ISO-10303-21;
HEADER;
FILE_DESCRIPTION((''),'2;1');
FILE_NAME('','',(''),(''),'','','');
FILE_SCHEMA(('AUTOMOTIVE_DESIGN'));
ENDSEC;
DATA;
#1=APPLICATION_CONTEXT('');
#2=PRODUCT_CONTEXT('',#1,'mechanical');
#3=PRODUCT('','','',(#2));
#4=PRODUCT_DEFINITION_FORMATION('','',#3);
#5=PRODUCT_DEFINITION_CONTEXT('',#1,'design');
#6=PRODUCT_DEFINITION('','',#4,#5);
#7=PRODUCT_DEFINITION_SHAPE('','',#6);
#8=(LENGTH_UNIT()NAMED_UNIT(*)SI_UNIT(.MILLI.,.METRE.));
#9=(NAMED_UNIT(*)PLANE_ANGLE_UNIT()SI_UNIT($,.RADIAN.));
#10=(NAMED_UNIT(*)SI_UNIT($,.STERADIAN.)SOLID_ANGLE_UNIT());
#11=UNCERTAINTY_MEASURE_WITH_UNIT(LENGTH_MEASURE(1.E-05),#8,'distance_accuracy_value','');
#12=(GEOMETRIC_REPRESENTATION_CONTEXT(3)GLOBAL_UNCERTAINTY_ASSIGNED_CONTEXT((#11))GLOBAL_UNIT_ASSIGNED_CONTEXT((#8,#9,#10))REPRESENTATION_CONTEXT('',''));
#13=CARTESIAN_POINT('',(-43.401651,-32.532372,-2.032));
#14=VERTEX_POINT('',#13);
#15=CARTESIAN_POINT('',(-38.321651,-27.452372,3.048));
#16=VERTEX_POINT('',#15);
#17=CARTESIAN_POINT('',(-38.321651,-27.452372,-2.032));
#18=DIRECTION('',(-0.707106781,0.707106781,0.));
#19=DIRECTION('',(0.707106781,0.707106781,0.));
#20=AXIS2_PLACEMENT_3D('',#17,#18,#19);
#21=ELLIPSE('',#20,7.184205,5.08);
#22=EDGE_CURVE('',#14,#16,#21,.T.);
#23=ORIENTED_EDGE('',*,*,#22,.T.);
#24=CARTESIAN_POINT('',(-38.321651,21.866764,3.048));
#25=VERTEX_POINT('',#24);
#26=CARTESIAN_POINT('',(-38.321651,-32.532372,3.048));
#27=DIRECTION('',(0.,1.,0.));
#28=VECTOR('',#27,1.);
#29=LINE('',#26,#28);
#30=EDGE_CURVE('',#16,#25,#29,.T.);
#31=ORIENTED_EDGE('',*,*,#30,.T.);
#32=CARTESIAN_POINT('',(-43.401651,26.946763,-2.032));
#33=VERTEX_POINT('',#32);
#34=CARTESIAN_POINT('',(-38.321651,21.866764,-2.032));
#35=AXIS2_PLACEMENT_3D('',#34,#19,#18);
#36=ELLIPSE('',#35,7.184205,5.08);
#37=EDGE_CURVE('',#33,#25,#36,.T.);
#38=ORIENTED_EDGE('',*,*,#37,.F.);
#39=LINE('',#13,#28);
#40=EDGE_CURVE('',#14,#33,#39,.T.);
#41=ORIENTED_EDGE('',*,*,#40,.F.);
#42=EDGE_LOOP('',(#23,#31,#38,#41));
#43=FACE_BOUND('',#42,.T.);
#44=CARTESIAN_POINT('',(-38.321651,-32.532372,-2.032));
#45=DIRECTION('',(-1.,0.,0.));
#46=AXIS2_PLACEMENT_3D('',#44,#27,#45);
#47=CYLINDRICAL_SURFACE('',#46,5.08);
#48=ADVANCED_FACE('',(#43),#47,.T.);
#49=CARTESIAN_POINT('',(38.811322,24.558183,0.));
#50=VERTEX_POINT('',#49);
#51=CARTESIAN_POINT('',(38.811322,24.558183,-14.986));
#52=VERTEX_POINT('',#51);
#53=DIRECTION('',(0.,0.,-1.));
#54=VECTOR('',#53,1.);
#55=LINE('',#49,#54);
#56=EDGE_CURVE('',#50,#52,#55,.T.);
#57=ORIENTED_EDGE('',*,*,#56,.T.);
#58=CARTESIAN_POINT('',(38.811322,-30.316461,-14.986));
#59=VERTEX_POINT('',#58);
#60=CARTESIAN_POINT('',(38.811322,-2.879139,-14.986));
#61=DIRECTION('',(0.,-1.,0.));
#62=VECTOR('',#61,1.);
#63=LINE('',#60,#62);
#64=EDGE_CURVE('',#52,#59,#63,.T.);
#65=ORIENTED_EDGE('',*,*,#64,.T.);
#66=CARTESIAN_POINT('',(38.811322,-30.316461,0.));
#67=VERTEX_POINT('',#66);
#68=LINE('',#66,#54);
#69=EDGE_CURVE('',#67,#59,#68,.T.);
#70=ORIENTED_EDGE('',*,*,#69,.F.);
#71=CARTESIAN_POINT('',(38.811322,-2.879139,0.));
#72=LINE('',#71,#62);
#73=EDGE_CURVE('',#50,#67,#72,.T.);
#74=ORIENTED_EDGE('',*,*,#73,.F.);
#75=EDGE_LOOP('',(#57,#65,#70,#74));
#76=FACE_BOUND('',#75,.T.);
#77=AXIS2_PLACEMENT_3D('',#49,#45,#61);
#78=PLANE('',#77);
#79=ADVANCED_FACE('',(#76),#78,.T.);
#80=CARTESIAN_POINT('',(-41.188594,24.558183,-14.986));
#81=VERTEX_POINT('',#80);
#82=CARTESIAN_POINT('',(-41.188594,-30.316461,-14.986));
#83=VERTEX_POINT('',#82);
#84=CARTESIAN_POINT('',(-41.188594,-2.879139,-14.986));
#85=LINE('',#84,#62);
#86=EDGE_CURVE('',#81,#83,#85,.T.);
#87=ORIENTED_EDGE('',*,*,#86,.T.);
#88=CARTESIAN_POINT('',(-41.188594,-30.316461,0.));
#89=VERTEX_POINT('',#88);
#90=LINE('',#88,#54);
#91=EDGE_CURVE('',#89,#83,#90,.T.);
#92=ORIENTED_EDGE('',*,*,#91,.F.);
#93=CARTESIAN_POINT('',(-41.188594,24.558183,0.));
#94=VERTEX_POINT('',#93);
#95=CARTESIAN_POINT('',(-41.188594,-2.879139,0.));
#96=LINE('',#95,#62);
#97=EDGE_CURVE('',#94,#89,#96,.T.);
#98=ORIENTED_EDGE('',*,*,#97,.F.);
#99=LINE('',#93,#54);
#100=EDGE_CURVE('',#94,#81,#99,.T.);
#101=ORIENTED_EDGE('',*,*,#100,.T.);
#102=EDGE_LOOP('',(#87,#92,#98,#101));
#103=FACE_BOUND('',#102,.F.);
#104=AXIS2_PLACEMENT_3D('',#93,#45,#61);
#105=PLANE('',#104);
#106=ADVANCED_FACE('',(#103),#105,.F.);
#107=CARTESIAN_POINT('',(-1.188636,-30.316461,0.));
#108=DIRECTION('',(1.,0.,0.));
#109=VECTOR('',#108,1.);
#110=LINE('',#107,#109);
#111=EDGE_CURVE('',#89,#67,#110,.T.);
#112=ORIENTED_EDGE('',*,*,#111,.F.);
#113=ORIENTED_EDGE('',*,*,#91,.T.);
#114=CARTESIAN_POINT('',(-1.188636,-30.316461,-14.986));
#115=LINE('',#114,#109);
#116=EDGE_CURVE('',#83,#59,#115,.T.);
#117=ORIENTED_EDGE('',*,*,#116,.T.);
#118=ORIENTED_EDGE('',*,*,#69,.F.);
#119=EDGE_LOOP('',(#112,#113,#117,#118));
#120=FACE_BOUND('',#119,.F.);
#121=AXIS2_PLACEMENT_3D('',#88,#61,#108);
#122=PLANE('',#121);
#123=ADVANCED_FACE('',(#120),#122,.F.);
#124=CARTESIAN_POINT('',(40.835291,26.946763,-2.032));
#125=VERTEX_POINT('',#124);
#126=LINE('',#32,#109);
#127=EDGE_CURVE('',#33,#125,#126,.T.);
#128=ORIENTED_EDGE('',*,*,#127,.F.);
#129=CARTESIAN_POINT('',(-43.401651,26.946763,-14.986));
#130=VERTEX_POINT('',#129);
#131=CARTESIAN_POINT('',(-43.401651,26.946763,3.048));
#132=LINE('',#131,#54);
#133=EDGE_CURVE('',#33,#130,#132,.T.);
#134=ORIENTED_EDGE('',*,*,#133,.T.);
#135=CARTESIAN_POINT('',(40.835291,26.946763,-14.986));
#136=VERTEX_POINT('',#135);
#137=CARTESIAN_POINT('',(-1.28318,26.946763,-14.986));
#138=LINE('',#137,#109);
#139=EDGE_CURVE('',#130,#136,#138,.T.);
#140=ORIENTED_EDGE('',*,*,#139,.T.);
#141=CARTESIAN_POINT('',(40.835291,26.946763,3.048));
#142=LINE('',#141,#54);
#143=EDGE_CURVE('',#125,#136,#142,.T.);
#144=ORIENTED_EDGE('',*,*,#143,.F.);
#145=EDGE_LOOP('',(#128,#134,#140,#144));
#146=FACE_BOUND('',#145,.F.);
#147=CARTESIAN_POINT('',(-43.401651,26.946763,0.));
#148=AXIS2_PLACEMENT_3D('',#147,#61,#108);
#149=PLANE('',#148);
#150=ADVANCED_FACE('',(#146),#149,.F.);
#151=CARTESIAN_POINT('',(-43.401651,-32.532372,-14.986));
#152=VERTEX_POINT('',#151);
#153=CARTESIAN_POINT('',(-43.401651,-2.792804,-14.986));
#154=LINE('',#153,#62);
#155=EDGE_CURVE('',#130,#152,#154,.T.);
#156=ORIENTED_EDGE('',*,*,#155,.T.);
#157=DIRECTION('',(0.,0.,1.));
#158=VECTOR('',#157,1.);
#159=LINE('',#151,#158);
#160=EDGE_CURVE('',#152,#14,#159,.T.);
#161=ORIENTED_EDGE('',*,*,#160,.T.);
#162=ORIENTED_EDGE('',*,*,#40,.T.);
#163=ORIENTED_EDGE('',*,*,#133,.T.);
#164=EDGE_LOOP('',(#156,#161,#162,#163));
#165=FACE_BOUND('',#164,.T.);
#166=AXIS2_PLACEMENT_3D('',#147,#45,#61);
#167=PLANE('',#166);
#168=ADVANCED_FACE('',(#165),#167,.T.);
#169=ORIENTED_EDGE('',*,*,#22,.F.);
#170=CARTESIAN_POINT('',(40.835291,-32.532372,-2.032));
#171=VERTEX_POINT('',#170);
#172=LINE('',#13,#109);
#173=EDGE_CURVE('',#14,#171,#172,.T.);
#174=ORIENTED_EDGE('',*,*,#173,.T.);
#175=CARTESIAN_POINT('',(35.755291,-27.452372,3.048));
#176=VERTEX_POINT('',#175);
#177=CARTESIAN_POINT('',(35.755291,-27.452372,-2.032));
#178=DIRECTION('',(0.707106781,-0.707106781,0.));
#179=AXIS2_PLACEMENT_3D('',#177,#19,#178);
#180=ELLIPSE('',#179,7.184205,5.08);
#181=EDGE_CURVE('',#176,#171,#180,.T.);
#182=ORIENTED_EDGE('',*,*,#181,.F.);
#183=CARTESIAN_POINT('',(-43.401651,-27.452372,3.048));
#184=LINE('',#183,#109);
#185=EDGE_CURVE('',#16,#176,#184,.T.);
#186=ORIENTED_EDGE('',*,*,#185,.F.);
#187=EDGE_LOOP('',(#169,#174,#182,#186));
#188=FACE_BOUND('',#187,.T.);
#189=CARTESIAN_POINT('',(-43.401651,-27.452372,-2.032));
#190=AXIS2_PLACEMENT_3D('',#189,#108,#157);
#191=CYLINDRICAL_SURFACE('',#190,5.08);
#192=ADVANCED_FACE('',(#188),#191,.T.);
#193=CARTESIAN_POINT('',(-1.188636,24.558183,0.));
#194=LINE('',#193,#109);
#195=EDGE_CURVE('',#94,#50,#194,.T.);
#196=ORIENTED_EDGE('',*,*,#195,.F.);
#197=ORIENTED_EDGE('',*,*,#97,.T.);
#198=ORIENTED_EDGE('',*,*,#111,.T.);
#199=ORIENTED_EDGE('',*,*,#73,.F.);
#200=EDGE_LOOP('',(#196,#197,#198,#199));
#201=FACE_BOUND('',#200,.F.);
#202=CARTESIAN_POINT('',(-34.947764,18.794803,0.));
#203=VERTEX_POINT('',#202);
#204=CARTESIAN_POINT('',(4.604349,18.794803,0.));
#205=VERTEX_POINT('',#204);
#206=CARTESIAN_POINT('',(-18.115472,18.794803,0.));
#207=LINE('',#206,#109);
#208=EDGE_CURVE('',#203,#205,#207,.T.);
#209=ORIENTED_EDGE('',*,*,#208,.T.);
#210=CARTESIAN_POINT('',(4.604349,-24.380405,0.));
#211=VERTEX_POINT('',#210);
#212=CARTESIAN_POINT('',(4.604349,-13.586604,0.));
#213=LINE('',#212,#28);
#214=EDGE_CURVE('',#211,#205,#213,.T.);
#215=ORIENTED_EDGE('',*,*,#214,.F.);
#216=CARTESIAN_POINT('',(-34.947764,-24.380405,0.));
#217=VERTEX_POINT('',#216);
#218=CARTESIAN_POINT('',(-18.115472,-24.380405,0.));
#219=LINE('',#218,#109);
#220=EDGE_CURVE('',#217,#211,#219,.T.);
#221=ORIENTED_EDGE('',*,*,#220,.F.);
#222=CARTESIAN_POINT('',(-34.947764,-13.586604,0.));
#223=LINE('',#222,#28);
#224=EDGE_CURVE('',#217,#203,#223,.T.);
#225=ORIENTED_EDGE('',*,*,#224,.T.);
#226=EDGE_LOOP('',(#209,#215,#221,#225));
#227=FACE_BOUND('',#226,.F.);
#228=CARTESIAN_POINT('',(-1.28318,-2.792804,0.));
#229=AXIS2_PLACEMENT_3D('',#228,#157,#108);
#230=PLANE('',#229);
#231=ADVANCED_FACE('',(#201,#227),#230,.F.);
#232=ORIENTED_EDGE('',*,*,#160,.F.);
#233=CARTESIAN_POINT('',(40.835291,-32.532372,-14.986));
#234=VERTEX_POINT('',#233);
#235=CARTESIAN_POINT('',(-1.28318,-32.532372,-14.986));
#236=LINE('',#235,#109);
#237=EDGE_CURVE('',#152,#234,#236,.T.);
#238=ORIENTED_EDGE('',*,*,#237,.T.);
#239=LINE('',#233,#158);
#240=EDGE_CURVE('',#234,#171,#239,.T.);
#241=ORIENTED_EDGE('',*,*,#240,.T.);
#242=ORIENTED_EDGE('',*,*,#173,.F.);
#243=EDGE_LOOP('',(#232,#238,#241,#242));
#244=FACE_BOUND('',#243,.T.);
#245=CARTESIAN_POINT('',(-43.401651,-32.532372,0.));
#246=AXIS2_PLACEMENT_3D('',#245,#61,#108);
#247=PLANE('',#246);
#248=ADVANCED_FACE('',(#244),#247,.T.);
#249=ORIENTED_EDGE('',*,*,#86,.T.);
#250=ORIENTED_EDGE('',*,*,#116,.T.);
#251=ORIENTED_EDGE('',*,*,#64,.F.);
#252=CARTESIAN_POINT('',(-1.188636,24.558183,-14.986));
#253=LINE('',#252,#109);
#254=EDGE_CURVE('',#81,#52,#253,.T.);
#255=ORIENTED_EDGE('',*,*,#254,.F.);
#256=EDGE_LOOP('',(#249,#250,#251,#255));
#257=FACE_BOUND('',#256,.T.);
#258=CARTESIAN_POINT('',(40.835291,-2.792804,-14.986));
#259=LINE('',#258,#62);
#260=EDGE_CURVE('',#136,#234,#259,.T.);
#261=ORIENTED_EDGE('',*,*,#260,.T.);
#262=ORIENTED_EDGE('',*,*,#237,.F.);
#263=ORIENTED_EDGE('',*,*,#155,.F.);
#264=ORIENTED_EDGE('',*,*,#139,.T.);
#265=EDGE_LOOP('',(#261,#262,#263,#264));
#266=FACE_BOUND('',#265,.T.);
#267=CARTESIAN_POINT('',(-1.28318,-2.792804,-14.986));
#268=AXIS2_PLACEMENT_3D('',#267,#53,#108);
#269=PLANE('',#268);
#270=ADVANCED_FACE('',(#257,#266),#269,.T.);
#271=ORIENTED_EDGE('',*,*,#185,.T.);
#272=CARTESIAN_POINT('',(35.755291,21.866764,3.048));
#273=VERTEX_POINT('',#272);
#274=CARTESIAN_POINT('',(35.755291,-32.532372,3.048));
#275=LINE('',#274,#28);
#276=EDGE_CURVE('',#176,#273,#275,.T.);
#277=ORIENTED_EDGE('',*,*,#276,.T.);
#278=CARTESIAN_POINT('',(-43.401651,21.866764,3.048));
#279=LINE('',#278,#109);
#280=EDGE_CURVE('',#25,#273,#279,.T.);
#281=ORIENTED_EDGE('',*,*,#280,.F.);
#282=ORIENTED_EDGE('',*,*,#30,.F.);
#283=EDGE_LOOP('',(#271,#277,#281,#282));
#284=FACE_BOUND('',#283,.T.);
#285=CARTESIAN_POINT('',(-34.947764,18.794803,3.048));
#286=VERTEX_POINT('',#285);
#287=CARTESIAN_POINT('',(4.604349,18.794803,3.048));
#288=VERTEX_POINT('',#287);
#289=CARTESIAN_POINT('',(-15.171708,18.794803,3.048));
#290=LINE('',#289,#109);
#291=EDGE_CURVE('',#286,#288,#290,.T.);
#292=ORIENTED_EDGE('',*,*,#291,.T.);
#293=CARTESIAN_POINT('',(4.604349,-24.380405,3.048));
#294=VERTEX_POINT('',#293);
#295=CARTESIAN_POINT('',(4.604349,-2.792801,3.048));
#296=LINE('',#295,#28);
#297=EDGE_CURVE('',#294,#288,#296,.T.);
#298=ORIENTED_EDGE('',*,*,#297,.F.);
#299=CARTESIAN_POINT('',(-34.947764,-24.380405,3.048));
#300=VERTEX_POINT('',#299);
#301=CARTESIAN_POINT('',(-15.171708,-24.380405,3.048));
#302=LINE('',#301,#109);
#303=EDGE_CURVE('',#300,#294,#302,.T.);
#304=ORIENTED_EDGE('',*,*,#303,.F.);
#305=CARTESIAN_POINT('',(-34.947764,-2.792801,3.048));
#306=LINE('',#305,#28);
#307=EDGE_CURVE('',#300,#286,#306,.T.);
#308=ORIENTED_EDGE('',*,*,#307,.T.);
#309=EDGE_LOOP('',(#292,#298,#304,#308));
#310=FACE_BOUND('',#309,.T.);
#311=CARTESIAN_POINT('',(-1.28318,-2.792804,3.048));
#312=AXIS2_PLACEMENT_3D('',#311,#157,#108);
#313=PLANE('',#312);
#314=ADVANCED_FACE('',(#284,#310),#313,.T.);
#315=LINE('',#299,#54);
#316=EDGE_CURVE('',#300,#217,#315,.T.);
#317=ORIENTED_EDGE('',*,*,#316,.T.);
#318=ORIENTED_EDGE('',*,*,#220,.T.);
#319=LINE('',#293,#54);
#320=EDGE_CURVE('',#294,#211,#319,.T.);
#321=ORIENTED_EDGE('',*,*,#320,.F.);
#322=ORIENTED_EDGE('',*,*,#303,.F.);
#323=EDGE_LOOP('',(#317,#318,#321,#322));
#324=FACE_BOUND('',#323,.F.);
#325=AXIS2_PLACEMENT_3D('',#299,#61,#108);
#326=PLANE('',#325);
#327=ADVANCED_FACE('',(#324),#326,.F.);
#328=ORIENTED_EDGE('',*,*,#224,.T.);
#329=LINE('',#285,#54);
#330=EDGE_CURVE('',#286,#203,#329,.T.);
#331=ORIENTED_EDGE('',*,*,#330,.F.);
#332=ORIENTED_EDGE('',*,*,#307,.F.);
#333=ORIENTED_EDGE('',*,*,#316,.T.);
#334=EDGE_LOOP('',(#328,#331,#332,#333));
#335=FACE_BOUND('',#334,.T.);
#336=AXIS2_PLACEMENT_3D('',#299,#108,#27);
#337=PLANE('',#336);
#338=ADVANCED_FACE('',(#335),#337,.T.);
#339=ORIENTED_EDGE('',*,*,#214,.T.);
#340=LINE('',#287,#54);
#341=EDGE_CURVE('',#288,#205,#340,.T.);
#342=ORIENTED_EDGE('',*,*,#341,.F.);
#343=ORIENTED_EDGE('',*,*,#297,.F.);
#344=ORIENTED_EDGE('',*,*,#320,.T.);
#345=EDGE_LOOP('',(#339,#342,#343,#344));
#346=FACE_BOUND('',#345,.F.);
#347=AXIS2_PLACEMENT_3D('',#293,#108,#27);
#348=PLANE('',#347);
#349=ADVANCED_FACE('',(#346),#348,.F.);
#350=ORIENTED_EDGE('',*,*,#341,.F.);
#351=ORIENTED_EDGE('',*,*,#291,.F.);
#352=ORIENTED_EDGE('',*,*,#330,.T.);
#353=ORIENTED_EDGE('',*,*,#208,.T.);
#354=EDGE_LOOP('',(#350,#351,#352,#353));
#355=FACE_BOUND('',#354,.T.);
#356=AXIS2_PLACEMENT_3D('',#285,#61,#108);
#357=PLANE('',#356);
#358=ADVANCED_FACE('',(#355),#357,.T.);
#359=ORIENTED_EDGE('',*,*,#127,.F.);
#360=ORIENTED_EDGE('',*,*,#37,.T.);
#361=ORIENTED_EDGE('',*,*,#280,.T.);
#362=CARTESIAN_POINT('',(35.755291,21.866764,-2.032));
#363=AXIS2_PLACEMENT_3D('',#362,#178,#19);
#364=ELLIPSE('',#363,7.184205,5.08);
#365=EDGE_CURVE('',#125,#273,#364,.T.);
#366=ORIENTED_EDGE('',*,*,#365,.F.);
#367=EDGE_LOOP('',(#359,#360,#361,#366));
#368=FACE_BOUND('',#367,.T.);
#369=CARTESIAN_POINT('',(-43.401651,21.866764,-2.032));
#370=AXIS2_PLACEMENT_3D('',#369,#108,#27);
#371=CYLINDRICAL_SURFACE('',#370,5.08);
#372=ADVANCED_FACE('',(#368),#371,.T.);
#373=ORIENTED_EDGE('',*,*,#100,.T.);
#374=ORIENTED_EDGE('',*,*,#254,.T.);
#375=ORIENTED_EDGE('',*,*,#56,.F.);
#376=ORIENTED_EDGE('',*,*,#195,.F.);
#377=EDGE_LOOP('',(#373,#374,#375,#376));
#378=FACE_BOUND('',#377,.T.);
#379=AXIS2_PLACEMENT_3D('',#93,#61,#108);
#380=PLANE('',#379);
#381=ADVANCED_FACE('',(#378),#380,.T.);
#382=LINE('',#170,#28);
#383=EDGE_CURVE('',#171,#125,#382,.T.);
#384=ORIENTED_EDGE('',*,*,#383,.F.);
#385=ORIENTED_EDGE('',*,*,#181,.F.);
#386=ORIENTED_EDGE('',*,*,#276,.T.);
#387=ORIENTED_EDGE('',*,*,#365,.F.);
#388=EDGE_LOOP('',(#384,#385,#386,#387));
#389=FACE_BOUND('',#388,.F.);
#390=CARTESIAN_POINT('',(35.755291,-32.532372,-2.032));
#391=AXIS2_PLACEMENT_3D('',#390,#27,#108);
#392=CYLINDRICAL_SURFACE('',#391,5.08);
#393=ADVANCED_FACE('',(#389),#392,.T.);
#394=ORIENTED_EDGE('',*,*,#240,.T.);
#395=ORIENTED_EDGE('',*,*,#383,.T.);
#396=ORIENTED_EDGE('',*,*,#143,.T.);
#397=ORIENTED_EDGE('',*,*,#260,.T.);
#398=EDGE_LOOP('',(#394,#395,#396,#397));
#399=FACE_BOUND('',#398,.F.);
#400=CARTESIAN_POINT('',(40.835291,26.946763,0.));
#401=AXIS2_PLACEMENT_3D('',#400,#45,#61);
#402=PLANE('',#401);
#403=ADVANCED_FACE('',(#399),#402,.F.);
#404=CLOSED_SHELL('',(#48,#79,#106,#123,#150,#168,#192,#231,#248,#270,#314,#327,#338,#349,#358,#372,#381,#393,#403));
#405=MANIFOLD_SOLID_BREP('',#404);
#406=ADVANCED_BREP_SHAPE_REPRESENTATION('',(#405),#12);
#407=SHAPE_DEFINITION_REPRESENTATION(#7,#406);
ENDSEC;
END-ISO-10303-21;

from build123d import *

# Parameters (mm, degrees)
F0_W     = 84.236942
F0_H     = 59.479135
F1_DEPTH = 3.048
F2_W     = 84.236942
F2_H     = 59.479135
F2_W_2   = 79.999916
F2_H_2   = 54.874644
F3_DEPTH = 14.986
F4_R     = 5.08
F5_W     = 39.552113
F5_H     = 43.175208
F6_DEPTH = 25.4


with BuildPart() as f1:
    # F0 (on Top) → F1 (new body)
    with BuildSketch(Plane.XY):
        with Locations((-1.28318, -2.792804)):
            Rectangle(F0_W, F0_H)
    extrude(amount=F1_DEPTH)

    # F2 (on face) → F3 (join)
    with BuildSketch(Plane(origin=(0, 0, 0), x_dir=(1, 0, 0), z_dir=(0, 0, -1))):
        with Locations((-1.28318, 2.792804)):
            Rectangle(F2_W, F2_H)
        with Locations((-1.188636, 2.879139)):
            Rectangle(F2_W_2, F2_H_2, mode=Mode.SUBTRACT)
    extrude(amount=F3_DEPTH)

    # F4
    f4_edges = [f1.edges().sort_by_distance(p)[0] for p in [
        (-43.401651, -2.792805, 3.048),
        (-1.28318, -32.532372, 3.048),
        (40.835291, -2.792805, 3.048),
        (-1.28318, 26.946763, 3.048),
    ]]
    fillet(f4_edges, radius=F4_R)

    # F5 (on face) → F6 (cut)
    with BuildSketch(Plane.XY.offset(3.048)):
        with Locations((-15.171708, -2.792801)):
            Rectangle(F5_W, F5_H)
    extrude(amount=-F6_DEPTH, mode=Mode.SUBTRACT)


solid = f1.part
